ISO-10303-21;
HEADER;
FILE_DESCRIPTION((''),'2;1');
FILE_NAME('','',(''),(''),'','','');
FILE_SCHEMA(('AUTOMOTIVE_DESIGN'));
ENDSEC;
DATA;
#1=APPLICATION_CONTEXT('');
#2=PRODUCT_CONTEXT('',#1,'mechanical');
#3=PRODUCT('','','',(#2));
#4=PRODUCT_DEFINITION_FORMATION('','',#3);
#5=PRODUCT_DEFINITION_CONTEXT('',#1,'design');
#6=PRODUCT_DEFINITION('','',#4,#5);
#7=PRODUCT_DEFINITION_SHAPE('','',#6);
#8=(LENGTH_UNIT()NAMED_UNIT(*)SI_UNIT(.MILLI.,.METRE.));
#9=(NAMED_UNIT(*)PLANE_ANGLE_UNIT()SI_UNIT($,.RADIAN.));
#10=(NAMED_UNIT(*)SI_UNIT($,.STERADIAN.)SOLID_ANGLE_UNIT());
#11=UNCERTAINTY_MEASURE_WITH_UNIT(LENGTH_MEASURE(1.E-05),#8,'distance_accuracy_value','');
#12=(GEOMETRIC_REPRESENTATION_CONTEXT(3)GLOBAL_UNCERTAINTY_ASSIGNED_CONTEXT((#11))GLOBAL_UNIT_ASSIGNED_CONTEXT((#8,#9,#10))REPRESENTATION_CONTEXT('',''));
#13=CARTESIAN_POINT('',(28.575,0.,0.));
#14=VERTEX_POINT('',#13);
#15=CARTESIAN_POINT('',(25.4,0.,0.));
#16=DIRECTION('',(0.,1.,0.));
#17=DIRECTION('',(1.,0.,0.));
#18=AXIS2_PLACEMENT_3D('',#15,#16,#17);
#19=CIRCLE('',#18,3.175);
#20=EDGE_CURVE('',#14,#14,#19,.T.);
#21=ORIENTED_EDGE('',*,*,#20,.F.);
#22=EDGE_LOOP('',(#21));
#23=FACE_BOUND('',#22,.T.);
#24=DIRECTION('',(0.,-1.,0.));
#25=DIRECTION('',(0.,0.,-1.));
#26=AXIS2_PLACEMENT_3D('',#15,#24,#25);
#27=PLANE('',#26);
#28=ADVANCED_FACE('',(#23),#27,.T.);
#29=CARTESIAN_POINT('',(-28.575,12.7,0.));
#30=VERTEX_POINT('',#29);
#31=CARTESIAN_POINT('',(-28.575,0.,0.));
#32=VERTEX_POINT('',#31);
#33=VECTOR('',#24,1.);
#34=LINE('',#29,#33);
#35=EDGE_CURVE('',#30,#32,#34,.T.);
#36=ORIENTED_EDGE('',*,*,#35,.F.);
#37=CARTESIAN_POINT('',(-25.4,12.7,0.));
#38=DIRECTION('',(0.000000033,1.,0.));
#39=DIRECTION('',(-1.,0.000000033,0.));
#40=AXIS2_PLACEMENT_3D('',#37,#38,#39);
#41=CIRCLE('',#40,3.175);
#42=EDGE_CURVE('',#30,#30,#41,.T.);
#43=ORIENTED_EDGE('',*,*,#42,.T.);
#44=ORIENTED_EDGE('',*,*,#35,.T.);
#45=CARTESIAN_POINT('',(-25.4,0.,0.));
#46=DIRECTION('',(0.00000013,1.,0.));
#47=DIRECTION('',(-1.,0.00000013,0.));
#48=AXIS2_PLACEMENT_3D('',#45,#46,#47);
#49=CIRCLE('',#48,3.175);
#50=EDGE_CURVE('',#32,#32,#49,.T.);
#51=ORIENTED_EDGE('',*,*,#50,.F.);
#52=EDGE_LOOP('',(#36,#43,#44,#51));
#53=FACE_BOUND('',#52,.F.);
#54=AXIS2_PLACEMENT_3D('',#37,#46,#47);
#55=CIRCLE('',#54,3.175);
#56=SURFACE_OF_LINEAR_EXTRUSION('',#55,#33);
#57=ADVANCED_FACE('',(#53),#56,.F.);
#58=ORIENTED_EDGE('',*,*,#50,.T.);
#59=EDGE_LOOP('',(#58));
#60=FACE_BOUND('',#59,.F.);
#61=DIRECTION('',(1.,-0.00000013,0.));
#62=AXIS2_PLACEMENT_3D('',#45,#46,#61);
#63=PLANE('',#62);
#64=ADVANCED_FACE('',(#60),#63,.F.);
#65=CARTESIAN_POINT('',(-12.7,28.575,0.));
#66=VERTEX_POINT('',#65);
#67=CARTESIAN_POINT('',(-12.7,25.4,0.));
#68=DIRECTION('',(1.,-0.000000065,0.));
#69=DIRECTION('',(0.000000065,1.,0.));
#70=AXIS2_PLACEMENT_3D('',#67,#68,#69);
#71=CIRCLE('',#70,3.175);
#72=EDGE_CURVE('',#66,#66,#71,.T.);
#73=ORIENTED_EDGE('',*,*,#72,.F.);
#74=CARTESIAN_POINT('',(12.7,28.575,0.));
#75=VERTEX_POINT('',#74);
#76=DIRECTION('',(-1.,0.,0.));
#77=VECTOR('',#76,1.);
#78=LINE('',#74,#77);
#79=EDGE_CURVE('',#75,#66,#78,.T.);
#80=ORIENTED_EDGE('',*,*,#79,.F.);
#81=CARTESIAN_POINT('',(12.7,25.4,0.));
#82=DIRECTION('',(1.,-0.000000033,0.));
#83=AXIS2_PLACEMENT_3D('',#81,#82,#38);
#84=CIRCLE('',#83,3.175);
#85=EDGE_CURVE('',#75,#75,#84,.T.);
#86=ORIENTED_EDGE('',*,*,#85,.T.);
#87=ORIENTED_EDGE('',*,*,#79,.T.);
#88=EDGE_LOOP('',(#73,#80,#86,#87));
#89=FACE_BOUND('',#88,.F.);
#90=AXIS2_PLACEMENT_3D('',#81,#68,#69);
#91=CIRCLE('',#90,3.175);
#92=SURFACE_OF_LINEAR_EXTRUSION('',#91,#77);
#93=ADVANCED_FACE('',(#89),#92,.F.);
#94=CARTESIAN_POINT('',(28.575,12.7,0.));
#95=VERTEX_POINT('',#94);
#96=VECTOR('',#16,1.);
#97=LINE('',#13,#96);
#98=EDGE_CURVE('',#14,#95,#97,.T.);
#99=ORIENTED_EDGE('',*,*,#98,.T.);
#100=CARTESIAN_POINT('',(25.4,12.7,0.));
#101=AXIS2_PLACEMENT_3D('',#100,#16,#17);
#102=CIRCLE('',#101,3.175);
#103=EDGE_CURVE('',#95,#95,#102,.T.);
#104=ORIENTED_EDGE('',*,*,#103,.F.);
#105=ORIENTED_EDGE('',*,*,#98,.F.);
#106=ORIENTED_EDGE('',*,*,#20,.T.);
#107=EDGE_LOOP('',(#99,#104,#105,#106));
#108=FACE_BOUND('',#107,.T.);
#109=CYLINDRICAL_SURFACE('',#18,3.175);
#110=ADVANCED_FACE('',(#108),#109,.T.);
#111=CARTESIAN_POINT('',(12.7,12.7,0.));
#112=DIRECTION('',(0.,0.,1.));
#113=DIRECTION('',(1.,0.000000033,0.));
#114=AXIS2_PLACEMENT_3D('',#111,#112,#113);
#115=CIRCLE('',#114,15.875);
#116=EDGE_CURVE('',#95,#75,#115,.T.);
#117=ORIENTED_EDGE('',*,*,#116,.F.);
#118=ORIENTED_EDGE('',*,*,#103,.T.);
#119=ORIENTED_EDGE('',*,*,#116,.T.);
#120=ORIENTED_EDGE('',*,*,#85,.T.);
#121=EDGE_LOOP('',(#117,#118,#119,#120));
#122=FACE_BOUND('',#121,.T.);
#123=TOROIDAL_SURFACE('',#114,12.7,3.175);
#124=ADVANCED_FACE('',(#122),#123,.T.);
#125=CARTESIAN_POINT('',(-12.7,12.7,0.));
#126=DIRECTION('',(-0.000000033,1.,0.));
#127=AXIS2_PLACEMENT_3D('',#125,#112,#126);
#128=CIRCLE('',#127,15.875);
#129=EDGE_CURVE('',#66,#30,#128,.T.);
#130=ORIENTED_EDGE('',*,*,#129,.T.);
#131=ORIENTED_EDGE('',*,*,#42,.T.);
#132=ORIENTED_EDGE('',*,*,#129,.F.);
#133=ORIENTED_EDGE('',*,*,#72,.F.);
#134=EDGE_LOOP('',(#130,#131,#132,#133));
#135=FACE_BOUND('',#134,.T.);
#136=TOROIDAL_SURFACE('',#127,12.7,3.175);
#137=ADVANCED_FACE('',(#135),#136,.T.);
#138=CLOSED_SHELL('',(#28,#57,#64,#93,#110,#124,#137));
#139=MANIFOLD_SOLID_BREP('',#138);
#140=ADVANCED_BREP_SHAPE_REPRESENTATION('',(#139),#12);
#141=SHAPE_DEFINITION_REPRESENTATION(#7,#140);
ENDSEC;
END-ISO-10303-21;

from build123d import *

# Parameters (mm, degrees)
F1_R = 3.175


with BuildPart() as f2:
    # F2: sweep along a path in F0
    with BuildLine(Plane.XY) as f2_path:
        Line((25.4, 0), (25.4, 12.7))
        ThreePointArc((25.4, 12.7), (21.680256, 21.680256), (12.7, 25.4))
        Line((12.7, 25.4), (-12.7, 25.4))
        ThreePointArc((-12.7, 25.4), (-21.680256, 21.680256), (-25.4, 12.7))
        Line((-25.4, 12.7), (-25.4, 0))
    # F1 (on Front) → F2 (sweep)
    with BuildSketch(Plane.XZ):
        with Locations((25.4, 0)):
            Circle(F1_R)
    sweep(path=f2_path.line)


solid = f2.part
